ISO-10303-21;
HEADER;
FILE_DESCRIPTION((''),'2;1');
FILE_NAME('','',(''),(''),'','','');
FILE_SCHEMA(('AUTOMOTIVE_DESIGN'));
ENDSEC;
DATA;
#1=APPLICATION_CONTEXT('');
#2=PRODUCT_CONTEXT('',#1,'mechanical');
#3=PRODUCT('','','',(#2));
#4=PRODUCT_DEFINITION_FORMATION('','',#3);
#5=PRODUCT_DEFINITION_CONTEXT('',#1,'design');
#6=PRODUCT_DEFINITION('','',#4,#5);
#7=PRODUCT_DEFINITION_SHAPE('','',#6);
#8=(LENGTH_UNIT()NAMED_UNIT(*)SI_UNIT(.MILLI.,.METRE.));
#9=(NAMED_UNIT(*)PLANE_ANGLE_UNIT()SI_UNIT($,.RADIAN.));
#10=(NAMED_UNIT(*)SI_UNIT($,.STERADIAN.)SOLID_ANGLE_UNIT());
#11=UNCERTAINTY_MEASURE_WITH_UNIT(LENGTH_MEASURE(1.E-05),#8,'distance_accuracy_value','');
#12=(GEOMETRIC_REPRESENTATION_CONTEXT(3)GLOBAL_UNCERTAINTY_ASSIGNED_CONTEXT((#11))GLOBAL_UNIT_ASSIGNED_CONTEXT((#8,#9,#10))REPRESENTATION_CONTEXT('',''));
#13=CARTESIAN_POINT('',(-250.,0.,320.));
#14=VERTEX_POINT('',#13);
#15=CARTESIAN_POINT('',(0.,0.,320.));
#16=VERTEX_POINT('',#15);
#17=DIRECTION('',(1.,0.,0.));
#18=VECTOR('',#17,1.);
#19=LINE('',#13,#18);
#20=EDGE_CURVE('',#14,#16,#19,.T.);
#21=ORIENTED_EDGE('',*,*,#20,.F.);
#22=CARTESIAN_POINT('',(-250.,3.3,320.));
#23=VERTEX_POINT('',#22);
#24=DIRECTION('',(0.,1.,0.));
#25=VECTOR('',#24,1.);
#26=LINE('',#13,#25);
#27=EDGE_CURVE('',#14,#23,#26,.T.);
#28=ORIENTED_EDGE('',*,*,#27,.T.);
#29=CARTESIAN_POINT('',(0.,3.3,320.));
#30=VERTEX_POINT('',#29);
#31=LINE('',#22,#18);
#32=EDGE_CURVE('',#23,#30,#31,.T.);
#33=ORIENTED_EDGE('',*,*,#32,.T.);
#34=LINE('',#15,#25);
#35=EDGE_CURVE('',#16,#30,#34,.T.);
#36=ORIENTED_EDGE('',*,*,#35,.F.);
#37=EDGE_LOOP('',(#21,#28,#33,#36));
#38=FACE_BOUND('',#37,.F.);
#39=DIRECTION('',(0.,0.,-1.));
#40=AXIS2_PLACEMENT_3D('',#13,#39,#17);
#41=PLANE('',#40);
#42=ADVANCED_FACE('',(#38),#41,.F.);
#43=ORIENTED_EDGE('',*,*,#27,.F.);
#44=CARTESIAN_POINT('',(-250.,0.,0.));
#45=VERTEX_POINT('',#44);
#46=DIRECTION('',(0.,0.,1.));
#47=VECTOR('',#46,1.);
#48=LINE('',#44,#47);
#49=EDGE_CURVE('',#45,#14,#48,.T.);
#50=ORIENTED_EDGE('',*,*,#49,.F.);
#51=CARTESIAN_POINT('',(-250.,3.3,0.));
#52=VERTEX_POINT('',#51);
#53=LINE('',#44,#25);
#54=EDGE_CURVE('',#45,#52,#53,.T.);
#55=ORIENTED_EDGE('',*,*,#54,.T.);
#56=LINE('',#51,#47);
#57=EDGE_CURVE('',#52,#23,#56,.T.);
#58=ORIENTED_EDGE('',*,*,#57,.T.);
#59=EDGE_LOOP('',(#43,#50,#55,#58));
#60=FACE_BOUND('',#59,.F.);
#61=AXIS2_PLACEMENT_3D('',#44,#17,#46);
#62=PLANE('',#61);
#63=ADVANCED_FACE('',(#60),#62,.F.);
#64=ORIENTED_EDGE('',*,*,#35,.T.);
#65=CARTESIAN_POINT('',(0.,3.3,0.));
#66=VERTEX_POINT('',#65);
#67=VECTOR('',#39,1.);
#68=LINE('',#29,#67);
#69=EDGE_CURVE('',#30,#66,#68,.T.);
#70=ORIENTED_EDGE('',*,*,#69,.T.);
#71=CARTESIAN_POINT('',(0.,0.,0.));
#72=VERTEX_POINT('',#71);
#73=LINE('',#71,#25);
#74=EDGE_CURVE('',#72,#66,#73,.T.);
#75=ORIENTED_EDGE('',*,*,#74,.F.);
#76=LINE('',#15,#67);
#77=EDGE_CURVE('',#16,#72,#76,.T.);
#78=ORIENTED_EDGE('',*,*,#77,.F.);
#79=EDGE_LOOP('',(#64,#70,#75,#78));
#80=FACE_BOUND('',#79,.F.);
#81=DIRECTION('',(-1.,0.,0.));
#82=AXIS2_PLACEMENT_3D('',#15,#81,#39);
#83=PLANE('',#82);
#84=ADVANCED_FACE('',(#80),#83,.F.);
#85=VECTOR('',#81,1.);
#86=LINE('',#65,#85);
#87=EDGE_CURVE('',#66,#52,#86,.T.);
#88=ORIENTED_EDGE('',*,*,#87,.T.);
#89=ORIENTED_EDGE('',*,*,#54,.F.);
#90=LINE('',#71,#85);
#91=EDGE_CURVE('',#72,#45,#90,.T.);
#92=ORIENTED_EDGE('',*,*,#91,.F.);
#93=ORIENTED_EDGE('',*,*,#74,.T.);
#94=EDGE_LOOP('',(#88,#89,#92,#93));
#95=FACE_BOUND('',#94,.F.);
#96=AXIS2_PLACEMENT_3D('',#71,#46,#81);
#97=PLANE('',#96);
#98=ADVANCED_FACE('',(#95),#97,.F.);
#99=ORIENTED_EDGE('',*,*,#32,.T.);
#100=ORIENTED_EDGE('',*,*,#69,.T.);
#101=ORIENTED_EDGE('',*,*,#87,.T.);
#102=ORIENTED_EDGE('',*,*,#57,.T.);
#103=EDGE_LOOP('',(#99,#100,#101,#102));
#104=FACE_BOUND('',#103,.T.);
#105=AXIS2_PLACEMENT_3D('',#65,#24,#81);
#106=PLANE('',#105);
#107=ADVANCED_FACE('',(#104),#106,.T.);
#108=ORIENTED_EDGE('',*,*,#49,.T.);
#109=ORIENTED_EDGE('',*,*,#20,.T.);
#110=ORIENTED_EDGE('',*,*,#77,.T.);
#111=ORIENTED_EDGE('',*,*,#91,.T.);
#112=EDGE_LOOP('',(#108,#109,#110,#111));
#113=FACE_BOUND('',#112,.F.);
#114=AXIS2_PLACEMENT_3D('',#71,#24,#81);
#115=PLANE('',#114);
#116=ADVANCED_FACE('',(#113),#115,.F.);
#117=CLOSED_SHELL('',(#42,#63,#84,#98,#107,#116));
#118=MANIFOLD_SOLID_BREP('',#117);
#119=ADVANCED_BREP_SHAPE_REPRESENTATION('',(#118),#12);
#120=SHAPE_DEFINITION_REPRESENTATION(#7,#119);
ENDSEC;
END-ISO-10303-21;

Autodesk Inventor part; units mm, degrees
ref_plane "YZ Plane" through (0, 0, 0) normal (1, 0, 0) x (0, 1, 0)
ref_plane "XZ Plane" through (0, 0, 0) normal (0, 1, 0) x (-1, 0, 0)
ref_plane "XY Plane" through (0, 0, 0) normal (0, 0, 1) x (1, 0, 0)
sketch "Sketch1" plane through (0, 0, 0) normal (0, 1, 0) x (-1, 0, 0)
  line L0 (0, 0) -> (250, 0)
  line L1 (250, 0) -> (250, 320)
  line L2 (250, 320) -> (0, 320)
  line L3 (0, 320) -> (0, 0)
  dimension "d0" = 250
  dimension "d1" = 320
extrude "Extrusion1" add sketch "Sketch1" along normal blind 3.3
properties part number "YBedGlass" material "Glass"
